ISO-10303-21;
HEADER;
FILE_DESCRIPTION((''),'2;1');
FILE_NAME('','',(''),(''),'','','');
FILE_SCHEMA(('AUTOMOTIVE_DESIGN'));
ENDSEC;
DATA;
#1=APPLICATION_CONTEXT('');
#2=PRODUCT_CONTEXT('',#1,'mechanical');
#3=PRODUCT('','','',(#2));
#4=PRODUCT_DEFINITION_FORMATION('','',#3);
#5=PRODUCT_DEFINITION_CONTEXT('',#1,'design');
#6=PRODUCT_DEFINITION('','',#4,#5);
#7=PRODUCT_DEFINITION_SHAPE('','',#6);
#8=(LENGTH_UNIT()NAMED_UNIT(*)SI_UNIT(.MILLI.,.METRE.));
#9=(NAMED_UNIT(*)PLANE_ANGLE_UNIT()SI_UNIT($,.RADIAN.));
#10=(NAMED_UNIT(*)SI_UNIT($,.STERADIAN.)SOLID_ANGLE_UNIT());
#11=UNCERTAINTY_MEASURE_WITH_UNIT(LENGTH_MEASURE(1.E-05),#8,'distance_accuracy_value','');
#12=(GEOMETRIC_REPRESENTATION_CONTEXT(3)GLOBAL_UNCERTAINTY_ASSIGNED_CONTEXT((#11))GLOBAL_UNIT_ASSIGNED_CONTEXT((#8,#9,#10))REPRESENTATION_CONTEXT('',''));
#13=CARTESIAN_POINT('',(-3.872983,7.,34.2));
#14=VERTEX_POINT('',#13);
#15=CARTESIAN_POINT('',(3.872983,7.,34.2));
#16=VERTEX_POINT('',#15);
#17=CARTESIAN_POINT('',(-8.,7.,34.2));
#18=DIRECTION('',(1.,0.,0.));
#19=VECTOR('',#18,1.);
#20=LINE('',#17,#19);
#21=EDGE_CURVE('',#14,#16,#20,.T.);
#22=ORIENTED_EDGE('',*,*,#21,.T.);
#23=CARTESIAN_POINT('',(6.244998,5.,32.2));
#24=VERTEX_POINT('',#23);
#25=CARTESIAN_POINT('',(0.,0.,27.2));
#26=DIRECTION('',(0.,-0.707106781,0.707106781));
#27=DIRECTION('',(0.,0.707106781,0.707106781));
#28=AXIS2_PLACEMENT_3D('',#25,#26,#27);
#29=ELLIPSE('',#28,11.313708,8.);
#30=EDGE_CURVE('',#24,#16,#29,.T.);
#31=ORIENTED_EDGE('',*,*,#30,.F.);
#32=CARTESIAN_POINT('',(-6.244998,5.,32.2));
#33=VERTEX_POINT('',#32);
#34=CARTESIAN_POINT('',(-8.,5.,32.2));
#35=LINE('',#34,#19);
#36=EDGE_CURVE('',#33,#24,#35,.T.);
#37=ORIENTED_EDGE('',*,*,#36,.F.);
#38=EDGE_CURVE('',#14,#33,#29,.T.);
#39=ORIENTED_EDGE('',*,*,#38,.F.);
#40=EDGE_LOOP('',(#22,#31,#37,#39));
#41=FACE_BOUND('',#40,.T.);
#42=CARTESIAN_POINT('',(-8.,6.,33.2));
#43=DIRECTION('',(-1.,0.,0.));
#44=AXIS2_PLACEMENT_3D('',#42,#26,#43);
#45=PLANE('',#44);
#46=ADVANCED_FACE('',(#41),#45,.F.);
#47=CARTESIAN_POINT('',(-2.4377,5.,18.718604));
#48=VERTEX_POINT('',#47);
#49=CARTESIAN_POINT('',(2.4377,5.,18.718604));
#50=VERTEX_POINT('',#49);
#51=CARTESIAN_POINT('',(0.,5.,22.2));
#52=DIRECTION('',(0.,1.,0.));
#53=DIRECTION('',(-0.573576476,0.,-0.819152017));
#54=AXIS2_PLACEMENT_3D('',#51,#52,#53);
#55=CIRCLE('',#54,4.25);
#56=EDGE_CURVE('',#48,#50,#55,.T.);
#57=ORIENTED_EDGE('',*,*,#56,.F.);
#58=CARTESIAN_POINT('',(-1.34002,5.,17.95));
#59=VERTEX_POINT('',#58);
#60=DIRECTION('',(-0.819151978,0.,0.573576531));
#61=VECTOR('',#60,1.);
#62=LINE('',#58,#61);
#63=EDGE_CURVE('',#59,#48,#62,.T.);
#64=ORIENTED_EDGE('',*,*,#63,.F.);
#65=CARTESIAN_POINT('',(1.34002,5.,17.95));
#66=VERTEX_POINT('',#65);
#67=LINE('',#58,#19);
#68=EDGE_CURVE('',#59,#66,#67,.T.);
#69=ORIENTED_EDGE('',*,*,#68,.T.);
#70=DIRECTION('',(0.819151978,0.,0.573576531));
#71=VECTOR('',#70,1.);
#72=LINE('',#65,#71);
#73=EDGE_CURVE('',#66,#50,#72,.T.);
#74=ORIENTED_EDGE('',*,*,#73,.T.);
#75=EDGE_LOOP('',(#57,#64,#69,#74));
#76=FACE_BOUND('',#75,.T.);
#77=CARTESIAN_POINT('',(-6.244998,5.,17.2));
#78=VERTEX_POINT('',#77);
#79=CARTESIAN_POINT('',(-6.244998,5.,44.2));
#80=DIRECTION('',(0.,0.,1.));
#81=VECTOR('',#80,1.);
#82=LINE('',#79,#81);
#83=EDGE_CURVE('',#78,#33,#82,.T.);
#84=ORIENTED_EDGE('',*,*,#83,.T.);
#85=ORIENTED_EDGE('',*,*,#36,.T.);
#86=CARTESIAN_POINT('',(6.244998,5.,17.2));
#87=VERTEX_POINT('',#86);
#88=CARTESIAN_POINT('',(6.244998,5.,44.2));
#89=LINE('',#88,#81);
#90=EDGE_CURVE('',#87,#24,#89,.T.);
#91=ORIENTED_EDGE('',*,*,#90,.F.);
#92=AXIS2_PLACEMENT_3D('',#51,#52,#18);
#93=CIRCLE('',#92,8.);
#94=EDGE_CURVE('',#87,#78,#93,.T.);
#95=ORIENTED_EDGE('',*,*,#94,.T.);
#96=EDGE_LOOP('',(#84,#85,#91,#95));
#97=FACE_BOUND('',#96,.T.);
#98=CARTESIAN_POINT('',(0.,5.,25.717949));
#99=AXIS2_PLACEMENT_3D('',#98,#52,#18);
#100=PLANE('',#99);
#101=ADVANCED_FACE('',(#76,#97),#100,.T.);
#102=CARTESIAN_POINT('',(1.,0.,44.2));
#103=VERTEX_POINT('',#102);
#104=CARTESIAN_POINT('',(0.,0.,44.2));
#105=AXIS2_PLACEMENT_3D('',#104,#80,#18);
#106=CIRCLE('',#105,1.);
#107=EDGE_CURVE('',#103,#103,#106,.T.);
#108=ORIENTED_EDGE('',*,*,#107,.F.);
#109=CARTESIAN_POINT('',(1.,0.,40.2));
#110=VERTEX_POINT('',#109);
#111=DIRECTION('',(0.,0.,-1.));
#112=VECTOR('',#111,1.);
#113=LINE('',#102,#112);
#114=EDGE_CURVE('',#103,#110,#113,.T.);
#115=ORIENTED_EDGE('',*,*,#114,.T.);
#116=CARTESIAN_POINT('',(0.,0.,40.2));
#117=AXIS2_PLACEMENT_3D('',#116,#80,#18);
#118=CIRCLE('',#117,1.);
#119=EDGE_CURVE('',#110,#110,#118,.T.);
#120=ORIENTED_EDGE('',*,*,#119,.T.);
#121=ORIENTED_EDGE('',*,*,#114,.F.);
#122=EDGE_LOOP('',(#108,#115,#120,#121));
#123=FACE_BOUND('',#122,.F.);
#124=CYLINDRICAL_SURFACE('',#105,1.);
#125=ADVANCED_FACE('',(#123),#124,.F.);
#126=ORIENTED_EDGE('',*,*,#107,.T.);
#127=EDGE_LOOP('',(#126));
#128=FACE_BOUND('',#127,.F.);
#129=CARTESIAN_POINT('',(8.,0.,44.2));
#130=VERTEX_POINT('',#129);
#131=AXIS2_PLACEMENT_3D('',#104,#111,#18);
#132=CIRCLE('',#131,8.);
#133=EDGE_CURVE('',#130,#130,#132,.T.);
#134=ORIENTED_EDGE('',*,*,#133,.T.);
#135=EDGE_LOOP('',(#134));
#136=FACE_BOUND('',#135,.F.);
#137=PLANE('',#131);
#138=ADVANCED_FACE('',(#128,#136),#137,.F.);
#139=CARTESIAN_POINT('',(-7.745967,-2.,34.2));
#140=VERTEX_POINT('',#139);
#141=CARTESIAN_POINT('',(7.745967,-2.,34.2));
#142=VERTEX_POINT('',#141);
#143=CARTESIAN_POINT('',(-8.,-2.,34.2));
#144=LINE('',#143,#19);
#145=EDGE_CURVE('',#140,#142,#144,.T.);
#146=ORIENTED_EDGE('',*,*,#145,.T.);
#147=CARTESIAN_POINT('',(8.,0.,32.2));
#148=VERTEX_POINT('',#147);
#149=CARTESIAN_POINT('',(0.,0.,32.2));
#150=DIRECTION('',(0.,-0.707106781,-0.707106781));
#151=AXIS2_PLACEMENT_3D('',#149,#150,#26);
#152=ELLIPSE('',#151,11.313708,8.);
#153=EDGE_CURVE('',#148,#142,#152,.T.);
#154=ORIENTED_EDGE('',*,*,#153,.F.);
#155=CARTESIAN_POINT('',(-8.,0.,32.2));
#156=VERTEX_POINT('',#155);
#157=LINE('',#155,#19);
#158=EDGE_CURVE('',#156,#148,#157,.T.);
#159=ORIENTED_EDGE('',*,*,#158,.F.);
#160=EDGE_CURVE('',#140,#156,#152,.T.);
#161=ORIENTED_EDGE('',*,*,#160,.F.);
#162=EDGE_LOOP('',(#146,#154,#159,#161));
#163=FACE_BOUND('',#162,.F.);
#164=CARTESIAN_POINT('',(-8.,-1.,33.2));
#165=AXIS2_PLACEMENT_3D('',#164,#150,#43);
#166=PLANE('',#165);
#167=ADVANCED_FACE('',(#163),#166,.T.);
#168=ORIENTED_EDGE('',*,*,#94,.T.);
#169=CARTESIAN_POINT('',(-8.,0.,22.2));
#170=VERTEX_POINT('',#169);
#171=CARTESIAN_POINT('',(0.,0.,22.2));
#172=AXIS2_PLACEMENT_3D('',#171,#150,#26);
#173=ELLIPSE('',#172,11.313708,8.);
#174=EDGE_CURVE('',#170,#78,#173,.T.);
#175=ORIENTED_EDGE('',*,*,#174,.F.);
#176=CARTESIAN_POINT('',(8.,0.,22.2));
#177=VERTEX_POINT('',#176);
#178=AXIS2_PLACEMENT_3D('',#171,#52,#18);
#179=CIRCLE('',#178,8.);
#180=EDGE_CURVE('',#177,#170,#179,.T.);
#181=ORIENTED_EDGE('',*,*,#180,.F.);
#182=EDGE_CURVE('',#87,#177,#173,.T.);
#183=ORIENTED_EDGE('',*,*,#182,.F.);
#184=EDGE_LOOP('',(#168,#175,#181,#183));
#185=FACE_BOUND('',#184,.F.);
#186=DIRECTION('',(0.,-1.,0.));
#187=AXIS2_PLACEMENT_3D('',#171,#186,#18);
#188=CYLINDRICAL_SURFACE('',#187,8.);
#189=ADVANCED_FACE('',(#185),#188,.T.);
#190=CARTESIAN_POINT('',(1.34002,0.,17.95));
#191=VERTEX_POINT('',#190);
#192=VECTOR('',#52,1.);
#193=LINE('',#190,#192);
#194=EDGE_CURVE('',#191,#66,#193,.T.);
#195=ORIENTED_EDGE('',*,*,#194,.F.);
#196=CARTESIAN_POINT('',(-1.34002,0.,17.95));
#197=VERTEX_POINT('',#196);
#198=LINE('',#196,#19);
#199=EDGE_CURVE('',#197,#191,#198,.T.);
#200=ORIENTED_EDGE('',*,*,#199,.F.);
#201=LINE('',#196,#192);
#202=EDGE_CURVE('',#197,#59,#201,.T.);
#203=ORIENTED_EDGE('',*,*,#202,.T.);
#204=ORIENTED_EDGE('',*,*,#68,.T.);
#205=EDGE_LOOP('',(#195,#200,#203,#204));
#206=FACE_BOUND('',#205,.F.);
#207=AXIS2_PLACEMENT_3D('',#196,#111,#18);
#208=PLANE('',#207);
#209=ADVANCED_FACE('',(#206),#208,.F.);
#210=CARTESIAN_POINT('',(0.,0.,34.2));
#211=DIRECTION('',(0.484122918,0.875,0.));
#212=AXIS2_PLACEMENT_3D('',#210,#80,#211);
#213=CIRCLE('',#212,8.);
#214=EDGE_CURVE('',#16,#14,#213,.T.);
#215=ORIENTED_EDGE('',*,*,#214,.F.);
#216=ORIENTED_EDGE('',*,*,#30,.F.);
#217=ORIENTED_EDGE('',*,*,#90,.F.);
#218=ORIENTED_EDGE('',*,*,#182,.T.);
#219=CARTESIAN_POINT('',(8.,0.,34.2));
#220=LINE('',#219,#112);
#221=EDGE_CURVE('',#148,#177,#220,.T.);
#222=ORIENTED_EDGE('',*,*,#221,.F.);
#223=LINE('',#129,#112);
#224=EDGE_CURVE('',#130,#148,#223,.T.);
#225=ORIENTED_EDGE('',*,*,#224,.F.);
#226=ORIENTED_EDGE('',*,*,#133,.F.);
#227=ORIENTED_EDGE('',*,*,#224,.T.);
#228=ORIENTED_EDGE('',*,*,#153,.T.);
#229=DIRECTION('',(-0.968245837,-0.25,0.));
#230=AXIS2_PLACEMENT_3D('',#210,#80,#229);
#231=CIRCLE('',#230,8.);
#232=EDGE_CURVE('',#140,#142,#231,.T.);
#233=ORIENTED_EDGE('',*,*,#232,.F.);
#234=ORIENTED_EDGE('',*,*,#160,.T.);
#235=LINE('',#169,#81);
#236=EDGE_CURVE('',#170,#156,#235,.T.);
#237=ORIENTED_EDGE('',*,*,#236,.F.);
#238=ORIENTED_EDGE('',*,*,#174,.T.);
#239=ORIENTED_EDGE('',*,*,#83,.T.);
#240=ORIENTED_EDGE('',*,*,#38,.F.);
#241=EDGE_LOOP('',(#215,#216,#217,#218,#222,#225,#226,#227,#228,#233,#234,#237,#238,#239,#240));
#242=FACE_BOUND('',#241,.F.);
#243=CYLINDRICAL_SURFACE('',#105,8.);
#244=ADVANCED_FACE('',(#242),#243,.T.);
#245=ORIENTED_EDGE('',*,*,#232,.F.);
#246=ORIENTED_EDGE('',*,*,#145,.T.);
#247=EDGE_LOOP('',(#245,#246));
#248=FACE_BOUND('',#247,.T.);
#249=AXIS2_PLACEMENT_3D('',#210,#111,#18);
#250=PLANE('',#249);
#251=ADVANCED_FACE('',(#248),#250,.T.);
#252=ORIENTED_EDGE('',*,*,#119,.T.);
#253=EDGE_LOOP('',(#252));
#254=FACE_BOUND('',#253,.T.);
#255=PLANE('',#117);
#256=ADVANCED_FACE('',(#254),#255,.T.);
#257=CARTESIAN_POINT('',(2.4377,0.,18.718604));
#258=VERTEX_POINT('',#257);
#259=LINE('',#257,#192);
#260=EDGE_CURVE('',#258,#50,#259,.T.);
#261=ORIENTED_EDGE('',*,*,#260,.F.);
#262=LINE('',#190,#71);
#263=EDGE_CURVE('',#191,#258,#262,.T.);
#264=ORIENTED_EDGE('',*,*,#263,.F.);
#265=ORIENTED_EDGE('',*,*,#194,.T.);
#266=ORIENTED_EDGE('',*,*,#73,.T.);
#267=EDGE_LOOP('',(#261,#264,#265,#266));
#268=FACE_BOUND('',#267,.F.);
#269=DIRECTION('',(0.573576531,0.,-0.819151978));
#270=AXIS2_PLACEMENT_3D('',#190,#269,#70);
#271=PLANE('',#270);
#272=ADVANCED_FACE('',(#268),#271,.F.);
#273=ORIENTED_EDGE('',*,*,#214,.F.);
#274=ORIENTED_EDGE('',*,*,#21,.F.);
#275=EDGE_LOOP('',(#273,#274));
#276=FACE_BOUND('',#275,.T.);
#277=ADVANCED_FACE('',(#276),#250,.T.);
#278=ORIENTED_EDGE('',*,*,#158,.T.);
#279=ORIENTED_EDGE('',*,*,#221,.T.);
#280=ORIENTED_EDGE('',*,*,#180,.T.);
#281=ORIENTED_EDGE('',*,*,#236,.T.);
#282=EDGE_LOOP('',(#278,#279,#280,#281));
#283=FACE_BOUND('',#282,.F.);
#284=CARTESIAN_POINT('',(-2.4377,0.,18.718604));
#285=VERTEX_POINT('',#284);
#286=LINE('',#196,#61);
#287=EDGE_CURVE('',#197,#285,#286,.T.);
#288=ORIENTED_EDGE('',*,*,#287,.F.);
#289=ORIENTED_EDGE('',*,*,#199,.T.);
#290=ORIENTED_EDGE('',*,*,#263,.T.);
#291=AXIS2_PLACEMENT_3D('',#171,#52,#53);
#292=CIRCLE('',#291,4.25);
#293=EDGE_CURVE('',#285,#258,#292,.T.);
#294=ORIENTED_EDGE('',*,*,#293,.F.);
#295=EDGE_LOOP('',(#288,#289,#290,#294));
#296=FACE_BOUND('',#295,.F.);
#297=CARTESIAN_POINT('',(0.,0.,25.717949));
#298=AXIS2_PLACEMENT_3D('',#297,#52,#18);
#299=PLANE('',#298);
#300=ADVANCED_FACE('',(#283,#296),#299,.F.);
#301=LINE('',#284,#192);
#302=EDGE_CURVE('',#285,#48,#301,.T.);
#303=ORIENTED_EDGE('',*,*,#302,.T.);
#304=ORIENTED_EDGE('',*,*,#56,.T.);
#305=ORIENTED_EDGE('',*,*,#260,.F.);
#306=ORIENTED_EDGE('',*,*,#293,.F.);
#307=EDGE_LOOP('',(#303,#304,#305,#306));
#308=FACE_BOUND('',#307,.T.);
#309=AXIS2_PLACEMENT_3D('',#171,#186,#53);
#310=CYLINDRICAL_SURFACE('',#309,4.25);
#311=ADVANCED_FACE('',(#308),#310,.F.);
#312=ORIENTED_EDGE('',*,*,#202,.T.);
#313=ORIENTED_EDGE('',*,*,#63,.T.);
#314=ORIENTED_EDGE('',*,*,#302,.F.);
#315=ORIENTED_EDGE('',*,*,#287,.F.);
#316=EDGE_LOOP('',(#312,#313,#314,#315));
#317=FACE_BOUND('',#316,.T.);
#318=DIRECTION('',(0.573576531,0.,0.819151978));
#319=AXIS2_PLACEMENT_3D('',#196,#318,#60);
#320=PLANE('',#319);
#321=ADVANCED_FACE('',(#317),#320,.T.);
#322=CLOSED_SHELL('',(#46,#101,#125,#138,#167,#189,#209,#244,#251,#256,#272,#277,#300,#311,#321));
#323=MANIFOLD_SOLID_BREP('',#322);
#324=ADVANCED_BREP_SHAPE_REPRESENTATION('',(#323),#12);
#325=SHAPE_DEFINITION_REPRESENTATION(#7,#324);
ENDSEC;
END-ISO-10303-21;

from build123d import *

# Parameters (mm, degrees)
SKETCH003_W             = 16
SKETCH003_H             = 16
PAD_DEPTH               = 10
PAD001_DEPTH            = 5
CHAMFER_SIZE            = 2
SKETCH002_R             = 15
SKETCH002_R_2           = 8
POCKET_DEPTH            = 30.001
SKETCH007_R             = 1
POCKET002_DEPTH         = 4
BODY001_PLACEMENT_ANGLE = 180


with BuildPart() as part:
    # Sketch003 → Pad (new body)
    with BuildSketch(Plane.XY):
        Rectangle(SKETCH003_W, SKETCH003_H)
    extrude(amount=PAD_DEPTH)

    # Sketch001 → Pad001 (join)
    with BuildSketch(Plane.XZ):
        with BuildLine():
            Line((8, 10), (8, 22))
            ThreePointArc((8, 22), (0, 30), (-8, 22))
            Line((-8, 22), (-8, 10))
            Line((-8, 10), (8, 10))
        make_face()
        with BuildLine():
            ThreePointArc((-2.4377, 25.481396), (0, 17.75), (2.4377, 25.481396))
            Line((1.34002, 26.25), (2.4377, 25.481396))
            Line((-1.34002, 26.25), (1.34002, 26.25))
            Line((-1.34002, 26.25), (-2.4377, 25.481396))
        make_face(mode=Mode.SUBTRACT)
    extrude(amount=PAD001_DEPTH)

    # Chamfer
    chamfer_edges = [part.edges().sort_by_distance(p)[0] for p in [
        (0, -5, 10),
        (0, 0, 10),
    ]]
    chamfer(chamfer_edges, length=CHAMFER_SIZE)

    # Sketch002 → Pocket (cut, through all)
    with BuildSketch(Plane.XY):
        Circle(SKETCH002_R)
        Circle(SKETCH002_R_2, mode=Mode.SUBTRACT)
    extrude(amount=POCKET_DEPTH, mode=Mode.SUBTRACT)

    # Sketch007 (on Face13 of Pocket) → Pocket002 (cut)
    with BuildSketch(Plane(origin=(0, 0, 0), x_dir=(1, 0, 0), z_dir=(0, 0, -1))):
        Circle(SKETCH007_R)
    extrude(amount=-POCKET002_DEPTH, mode=Mode.SUBTRACT)


with BuildPart() as part_1:
    # Body001 placement: moved
    add(part.part.moved(Location((0, 0, 44.2))).rotate(Axis((0, 0, 44.2), (1, 0, 0)), BODY001_PLACEMENT_ANGLE))


solid = part_1.part
